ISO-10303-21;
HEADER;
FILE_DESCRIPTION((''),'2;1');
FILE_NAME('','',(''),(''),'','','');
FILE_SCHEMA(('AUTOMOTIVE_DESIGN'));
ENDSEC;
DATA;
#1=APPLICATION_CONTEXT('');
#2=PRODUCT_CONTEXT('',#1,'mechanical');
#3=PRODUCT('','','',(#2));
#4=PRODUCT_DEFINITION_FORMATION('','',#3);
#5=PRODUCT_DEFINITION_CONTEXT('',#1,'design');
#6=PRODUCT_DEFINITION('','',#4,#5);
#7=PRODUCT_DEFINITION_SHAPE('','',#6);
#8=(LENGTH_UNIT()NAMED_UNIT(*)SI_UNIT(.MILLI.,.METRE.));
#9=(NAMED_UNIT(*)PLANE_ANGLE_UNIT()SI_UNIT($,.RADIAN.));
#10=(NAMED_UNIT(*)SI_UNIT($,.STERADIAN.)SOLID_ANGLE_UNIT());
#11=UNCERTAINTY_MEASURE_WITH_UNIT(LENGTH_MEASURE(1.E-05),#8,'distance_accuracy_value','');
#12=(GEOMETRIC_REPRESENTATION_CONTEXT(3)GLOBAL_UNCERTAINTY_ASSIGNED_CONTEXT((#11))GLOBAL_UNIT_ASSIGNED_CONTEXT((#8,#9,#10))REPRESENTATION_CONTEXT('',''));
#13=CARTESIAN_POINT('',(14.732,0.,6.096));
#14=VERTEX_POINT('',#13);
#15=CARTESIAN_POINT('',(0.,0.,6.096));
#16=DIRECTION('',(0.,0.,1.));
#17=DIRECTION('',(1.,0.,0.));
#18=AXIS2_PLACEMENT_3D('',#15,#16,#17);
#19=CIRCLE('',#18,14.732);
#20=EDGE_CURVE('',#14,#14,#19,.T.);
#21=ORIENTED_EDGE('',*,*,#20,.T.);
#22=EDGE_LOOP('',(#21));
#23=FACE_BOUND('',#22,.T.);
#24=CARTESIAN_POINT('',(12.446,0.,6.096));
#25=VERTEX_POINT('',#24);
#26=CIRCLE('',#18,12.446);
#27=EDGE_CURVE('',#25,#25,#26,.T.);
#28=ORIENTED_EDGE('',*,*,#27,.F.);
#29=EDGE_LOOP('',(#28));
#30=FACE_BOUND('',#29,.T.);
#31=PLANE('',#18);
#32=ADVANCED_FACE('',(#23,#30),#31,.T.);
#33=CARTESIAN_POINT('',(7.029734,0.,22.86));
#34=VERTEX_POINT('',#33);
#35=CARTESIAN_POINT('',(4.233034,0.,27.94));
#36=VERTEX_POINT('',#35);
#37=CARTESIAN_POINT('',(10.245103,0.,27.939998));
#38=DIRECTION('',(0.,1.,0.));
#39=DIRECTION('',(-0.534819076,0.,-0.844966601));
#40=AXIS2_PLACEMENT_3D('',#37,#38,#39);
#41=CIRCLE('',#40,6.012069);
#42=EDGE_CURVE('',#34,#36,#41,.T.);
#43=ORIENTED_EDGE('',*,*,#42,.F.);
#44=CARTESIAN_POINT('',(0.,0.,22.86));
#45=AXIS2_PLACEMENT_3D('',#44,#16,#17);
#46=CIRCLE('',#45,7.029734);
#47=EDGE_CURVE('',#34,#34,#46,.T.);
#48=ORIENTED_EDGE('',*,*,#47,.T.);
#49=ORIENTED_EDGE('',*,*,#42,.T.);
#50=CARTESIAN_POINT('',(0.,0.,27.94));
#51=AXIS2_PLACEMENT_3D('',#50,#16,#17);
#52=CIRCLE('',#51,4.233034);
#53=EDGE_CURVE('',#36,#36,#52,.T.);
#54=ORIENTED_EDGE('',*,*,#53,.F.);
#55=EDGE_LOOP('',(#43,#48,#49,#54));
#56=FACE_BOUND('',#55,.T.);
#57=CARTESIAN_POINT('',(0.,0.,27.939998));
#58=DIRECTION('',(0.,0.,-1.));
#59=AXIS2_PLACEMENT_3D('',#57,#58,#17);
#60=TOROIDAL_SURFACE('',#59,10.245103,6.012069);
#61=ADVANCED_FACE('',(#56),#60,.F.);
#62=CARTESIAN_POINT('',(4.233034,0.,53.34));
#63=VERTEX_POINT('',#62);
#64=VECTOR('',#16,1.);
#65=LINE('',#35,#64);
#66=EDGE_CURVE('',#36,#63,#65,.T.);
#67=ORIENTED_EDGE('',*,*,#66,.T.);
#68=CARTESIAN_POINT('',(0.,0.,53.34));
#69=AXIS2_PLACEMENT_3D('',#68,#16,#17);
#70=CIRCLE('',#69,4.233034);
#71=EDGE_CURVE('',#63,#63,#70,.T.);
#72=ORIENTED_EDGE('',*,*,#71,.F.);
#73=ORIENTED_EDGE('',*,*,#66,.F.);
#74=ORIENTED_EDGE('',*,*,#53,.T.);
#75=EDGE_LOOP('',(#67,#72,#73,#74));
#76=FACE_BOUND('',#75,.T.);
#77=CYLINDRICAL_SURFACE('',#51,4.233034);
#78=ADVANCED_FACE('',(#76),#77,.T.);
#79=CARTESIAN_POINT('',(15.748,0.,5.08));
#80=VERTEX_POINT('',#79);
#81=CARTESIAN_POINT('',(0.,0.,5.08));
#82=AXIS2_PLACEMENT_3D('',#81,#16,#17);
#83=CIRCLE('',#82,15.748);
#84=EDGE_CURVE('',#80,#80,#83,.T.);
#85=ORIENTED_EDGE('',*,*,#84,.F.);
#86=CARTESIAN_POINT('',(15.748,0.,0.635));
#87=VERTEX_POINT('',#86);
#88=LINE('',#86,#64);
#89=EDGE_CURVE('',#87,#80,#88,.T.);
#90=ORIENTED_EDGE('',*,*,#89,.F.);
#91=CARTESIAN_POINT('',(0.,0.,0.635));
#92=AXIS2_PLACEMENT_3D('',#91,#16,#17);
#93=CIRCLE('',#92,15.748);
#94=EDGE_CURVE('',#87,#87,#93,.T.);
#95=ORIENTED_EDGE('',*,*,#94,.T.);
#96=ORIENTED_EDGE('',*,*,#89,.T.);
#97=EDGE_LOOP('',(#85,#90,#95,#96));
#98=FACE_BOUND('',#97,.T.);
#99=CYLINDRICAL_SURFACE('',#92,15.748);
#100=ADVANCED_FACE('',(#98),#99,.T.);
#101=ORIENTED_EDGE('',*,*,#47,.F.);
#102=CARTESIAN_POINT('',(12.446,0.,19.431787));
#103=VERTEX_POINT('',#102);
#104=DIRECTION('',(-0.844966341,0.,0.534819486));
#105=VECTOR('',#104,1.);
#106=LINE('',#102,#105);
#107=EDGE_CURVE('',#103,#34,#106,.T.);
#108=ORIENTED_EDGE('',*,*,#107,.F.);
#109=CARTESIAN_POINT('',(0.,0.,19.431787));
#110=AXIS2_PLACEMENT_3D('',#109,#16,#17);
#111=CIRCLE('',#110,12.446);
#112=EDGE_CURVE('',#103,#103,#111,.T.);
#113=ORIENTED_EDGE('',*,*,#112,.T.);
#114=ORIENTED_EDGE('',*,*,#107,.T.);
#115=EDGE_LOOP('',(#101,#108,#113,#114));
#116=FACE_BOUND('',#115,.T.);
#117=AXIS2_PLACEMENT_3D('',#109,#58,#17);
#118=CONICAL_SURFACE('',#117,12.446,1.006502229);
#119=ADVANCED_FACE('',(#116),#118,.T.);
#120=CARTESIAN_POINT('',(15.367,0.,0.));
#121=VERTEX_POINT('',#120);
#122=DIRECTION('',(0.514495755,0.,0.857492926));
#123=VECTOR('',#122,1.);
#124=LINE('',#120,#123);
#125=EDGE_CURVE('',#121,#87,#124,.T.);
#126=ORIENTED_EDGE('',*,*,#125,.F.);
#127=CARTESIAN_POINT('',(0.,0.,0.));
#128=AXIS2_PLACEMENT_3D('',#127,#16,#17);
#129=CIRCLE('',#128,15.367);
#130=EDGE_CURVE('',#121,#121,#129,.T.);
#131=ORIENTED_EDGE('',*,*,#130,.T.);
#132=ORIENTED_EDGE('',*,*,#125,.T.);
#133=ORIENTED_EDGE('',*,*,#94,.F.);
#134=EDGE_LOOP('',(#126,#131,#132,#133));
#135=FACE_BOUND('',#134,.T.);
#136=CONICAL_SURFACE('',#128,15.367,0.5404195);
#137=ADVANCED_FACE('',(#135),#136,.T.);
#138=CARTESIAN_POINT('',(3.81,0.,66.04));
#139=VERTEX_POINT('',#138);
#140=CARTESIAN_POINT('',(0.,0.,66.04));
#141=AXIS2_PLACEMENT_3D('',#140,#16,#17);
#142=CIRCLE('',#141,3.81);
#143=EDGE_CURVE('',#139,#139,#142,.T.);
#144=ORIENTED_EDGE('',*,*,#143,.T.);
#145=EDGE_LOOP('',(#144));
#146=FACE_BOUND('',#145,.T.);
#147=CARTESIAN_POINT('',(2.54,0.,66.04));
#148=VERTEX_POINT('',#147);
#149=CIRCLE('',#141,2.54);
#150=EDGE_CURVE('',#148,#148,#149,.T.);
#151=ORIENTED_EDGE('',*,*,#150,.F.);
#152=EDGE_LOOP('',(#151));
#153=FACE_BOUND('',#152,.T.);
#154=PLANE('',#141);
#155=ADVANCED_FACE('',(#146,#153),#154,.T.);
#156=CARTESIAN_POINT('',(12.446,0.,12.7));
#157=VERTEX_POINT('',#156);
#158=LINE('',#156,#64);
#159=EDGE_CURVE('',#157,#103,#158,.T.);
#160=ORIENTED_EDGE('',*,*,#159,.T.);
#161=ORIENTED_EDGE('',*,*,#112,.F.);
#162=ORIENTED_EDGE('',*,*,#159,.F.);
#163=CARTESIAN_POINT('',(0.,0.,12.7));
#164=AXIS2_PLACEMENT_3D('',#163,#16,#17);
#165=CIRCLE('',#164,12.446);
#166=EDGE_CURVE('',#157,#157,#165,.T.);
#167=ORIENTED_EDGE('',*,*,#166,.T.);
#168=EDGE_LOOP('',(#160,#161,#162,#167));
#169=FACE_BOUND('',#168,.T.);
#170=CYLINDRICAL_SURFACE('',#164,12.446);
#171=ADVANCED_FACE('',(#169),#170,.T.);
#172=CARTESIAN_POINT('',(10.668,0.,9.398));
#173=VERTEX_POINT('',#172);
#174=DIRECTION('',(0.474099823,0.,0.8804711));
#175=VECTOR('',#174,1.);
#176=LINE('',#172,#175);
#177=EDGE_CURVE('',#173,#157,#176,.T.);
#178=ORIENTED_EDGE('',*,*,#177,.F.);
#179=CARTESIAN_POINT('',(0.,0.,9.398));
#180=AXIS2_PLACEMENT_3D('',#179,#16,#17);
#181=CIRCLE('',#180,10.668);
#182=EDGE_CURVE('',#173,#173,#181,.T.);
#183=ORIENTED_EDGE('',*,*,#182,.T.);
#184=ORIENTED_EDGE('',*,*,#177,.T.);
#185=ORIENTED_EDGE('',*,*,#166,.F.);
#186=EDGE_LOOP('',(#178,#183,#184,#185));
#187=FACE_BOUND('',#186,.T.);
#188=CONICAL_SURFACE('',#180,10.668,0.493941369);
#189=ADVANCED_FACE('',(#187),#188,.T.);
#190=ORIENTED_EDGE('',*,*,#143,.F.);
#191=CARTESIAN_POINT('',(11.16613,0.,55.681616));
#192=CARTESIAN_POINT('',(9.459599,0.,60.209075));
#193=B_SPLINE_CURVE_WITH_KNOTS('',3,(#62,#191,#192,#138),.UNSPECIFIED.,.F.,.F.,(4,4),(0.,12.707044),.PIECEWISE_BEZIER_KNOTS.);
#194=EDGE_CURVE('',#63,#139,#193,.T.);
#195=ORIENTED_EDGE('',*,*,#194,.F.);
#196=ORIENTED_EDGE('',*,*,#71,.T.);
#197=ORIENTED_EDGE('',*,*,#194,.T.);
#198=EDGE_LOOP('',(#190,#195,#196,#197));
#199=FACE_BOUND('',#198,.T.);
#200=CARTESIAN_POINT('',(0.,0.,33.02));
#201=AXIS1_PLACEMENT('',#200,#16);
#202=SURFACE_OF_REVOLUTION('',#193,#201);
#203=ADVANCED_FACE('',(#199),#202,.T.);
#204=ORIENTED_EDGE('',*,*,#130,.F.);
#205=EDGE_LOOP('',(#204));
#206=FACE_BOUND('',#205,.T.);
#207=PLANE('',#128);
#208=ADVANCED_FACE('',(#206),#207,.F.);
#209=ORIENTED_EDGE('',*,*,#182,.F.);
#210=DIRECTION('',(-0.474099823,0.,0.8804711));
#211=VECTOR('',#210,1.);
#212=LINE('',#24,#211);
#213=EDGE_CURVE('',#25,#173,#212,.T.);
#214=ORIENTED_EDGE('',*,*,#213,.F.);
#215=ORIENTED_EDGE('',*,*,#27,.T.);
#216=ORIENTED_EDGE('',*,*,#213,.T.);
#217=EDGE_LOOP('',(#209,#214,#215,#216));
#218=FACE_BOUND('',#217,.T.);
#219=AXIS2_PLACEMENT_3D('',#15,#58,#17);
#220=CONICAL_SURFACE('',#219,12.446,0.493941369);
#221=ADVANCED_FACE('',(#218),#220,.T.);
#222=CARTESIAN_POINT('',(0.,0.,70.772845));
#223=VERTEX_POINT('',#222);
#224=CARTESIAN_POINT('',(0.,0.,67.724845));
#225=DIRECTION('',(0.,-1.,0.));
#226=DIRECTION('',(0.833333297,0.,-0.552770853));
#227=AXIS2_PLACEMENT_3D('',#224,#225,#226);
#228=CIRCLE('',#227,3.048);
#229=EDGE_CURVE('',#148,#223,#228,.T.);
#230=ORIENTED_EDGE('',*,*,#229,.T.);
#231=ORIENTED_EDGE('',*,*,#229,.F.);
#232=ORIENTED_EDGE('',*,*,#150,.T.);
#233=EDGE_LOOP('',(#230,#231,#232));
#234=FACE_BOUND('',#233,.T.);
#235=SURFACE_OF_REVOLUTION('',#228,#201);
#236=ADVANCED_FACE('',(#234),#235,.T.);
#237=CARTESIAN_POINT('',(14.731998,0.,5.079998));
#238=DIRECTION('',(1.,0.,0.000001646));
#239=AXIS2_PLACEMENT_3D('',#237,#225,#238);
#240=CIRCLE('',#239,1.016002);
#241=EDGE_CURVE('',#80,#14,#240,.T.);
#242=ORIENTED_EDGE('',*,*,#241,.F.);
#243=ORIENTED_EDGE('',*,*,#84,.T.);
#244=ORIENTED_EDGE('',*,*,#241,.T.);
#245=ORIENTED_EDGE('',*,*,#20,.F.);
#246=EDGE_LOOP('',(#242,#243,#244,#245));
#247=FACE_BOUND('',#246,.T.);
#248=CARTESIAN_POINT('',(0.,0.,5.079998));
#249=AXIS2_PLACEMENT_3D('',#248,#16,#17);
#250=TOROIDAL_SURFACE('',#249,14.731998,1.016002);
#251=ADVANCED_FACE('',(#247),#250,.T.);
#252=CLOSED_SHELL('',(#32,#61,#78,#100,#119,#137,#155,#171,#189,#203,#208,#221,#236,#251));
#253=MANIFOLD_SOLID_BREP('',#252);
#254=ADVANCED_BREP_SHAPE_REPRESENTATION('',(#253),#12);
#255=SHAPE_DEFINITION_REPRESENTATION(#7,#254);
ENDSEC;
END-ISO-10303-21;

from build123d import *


with BuildPart() as f1:
    # F0 (on Front) → F1 (revolve)
    with BuildSketch(Plane.XZ):
        with BuildLine():
            Line((0, 0), (15.367, 0))
            Line((15.367, 0), (15.748, 0.635))
            Line((15.748, 0.635), (15.748, 5.08))
            ThreePointArc((15.748, 5.08), (15.45042, 5.79842), (14.732, 6.096))
            Line((14.732, 6.096), (12.446, 6.096))
            Line((12.446, 6.096), (10.668, 9.398))
            Line((10.668, 9.398), (12.446, 12.7))
            Line((12.446, 12.7), (12.446, 19.431787))
            Line((12.446, 19.431787), (7.029734, 22.86))
            ThreePointArc((7.029734, 22.86), (4.978415, 25.04052), (4.233034, 27.94))
            Line((4.233034, 27.94), (4.233034, 53.34))
            add(Edge.make_bspline(
                [(4.233034, 53.34), (11.16613, 55.681616), (9.459599, 60.209075), (3.81, 66.04)],
                knots=[0, 0, 0, 0, 12.707044, 12.707044, 12.707044, 12.707044], degree=3))
            Line((3.81, 66.04), (2.54, 66.04))
            ThreePointArc((2.54, 66.04), (2.685676, 69.166181), (0, 70.772845))
            Line((0, 70.772845), (0, 66.04))
            Line((0, 66.04), (0, 0))
        make_face()
    revolve(axis=Axis((0, 0, 33.02), (0, 0, 1)))


solid = f1.part
